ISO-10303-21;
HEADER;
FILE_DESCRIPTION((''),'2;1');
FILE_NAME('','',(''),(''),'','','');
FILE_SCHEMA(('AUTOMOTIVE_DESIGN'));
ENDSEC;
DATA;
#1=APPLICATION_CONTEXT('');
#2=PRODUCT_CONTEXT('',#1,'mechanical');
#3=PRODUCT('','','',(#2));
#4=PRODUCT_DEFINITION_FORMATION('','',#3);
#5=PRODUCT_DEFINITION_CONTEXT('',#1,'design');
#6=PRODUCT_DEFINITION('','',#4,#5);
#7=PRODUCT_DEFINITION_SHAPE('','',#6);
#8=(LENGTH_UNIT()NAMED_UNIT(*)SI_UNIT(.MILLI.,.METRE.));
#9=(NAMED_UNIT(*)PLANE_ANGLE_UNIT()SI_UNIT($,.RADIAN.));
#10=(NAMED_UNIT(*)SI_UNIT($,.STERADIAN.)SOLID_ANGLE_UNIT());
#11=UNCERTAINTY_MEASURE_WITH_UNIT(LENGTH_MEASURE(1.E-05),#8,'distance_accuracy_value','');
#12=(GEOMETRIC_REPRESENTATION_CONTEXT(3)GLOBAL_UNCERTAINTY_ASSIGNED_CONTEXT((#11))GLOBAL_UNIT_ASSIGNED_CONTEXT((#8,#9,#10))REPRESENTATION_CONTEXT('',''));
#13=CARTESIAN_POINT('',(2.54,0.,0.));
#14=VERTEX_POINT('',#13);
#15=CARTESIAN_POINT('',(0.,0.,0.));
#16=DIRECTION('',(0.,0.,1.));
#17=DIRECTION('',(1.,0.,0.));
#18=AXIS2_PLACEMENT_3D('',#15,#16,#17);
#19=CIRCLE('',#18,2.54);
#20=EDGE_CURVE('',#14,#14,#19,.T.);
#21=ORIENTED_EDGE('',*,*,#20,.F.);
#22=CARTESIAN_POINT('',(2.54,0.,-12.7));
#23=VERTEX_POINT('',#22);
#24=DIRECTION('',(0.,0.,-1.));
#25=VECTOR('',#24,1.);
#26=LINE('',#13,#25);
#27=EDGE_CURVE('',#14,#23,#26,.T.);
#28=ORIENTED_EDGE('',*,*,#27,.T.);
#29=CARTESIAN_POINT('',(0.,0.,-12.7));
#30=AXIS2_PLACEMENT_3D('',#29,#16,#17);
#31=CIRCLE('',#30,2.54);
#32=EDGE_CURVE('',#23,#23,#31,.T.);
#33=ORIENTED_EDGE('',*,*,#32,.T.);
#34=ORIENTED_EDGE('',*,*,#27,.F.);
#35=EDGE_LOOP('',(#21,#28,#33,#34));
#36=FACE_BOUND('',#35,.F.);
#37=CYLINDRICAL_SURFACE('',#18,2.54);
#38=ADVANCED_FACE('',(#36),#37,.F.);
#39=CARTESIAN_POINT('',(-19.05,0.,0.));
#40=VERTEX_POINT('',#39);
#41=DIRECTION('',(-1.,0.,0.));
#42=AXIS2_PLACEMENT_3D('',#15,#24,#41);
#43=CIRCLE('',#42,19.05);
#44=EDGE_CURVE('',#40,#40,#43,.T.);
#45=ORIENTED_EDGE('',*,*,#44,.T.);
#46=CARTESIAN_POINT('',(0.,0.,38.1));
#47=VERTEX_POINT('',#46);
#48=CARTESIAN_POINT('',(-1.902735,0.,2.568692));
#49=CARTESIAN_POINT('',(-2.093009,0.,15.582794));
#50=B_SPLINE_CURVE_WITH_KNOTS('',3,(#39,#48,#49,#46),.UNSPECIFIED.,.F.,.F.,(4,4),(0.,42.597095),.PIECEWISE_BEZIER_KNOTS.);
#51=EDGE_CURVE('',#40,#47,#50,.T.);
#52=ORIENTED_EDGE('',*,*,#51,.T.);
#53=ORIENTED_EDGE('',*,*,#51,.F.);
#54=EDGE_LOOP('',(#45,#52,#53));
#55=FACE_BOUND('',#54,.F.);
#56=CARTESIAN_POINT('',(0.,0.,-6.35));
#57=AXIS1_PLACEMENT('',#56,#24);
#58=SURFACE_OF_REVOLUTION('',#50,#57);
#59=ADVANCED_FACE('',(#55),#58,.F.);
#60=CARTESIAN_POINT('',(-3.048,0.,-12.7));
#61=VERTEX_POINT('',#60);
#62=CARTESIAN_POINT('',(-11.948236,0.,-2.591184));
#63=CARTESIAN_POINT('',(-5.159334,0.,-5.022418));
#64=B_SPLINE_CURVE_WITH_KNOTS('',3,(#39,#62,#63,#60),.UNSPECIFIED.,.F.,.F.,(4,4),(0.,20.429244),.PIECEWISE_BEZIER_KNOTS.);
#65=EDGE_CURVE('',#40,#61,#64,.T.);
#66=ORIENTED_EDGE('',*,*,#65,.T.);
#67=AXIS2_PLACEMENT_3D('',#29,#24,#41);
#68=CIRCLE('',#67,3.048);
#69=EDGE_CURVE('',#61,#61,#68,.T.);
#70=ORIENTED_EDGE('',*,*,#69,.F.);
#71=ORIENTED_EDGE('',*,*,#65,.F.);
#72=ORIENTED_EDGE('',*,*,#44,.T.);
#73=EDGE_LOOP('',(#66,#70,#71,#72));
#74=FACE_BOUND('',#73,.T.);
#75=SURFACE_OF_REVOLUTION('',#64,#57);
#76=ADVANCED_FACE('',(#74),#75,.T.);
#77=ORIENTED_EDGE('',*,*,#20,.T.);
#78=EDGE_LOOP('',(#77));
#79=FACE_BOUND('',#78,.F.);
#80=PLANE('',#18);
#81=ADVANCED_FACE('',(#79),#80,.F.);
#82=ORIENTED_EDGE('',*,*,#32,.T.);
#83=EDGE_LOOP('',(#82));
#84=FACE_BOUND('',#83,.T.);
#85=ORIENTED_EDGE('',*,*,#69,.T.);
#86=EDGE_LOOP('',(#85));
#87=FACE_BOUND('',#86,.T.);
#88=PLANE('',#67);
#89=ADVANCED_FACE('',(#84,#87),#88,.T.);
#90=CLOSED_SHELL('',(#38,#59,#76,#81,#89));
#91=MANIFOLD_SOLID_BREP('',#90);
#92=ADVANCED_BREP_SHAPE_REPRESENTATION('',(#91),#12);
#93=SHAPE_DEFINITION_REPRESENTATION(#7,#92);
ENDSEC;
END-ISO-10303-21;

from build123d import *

# Parameters (mm, degrees)
F3_DEPTH = 25.4


with BuildPart() as f1:
    # F0 (on Front) → F1 (revolve)
    with BuildSketch(Plane.XZ):
        with BuildLine():
            Line((0, -12.7), (0, 0))
            Line((0, 0), (-19.05, 0))
            add(Edge.make_bspline(
                [(-19.05, 0), (-11.948236, -2.591184), (-5.159334, -5.022418), (-3.048, -12.7)],
                knots=[0, 0, 0, 0, 20.429244, 20.429244, 20.429244, 20.429244], degree=3))
            Line((-3.048, -12.7), (0, -12.7))
        make_face()
        with BuildLine():
            Line((-19.05, 0), (0, 0))
            Line((0, 0), (0, 38.1))
            add(Edge.make_bspline(
                [(-19.05, 0), (-1.902735, 2.568692), (-2.093009, 15.582794), (0, 38.1)],
                knots=[0, 0, 0, 0, 42.597095, 42.597095, 42.597095, 42.597095], degree=3))
        make_face()
    revolve(axis=Axis((0, 0, -6.35), (0, 0, -1)))

    # F2 (on Top) → F3 (cut)
    with BuildSketch(Plane.XY):
        with BuildLine():
            ThreePointArc((-2.54, 0), (0, -2.54), (2.54, 0))
            ThreePointArc((2.54, 0), (0, 2.54), (-2.54, 0))
        make_face()
    extrude(amount=-F3_DEPTH, mode=Mode.SUBTRACT)


solid = f1.part
